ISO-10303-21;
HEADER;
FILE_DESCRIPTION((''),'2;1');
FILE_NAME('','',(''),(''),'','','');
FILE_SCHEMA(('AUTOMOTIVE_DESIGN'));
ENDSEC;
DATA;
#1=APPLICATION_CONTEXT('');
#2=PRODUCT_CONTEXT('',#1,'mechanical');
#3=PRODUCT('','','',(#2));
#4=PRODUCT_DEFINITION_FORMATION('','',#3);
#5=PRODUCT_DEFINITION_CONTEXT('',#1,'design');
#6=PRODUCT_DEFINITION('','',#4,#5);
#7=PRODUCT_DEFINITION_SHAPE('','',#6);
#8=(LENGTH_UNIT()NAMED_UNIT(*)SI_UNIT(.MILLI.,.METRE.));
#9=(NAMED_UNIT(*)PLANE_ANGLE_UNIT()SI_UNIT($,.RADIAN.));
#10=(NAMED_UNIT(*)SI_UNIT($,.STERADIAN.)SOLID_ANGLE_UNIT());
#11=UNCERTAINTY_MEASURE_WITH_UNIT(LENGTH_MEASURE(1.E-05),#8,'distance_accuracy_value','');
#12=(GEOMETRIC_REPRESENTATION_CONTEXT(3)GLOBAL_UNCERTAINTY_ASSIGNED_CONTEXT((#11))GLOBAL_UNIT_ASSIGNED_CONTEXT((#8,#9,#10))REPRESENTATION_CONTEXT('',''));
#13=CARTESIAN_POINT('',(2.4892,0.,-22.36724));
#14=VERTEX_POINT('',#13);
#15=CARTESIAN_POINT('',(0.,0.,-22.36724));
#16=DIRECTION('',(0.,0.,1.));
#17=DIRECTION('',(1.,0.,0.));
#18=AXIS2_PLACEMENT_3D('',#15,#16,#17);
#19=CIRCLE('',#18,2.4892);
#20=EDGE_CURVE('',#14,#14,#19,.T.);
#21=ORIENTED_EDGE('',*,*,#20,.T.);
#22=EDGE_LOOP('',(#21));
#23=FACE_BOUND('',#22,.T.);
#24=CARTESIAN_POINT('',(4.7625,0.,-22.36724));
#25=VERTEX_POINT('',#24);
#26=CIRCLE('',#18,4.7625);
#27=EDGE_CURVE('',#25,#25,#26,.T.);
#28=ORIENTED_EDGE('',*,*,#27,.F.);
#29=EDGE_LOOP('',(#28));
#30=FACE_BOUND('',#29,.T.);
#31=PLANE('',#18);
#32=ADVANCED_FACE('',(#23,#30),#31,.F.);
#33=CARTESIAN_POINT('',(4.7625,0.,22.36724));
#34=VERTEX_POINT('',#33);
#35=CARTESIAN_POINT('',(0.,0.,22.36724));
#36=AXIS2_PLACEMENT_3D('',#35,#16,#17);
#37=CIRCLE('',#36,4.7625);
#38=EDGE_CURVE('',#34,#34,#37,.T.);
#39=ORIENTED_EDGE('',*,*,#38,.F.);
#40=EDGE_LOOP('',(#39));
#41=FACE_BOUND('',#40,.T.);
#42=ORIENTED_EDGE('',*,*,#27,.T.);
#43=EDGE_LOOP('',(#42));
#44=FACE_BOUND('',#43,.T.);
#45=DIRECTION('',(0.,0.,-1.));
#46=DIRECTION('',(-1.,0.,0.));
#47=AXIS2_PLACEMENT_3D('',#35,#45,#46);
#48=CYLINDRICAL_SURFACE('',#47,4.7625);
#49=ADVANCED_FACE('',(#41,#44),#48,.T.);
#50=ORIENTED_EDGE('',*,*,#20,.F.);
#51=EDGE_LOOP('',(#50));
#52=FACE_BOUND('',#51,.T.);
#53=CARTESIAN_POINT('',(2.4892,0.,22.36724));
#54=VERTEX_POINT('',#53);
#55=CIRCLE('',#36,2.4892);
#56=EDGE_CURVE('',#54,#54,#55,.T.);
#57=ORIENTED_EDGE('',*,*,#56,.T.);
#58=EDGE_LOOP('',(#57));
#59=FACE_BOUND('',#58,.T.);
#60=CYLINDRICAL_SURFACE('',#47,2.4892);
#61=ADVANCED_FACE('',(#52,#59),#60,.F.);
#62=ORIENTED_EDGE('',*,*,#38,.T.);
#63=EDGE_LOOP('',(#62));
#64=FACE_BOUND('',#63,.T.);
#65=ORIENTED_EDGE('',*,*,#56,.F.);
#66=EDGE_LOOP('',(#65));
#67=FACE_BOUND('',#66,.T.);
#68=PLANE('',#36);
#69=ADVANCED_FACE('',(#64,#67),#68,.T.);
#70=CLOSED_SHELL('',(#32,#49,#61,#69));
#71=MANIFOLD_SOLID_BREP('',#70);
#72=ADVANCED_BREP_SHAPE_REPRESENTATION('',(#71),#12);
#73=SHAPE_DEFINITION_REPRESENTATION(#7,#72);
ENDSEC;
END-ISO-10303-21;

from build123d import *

# Parameters (mm, degrees)
SKETCH1_R           = 4.7625
SKETCH1_R_2         = 2.4892
BOSS_EXTRUDE1_DEPTH = 22.36724


with BuildPart() as part:
    # Sketch1 → Boss-Extrude1 (new, symmetric)
    with BuildSketch(Plane.XY):
        Circle(SKETCH1_R)
        Circle(SKETCH1_R_2, mode=Mode.SUBTRACT)
    extrude(amount=BOSS_EXTRUDE1_DEPTH, both=True)


solid = part.part
